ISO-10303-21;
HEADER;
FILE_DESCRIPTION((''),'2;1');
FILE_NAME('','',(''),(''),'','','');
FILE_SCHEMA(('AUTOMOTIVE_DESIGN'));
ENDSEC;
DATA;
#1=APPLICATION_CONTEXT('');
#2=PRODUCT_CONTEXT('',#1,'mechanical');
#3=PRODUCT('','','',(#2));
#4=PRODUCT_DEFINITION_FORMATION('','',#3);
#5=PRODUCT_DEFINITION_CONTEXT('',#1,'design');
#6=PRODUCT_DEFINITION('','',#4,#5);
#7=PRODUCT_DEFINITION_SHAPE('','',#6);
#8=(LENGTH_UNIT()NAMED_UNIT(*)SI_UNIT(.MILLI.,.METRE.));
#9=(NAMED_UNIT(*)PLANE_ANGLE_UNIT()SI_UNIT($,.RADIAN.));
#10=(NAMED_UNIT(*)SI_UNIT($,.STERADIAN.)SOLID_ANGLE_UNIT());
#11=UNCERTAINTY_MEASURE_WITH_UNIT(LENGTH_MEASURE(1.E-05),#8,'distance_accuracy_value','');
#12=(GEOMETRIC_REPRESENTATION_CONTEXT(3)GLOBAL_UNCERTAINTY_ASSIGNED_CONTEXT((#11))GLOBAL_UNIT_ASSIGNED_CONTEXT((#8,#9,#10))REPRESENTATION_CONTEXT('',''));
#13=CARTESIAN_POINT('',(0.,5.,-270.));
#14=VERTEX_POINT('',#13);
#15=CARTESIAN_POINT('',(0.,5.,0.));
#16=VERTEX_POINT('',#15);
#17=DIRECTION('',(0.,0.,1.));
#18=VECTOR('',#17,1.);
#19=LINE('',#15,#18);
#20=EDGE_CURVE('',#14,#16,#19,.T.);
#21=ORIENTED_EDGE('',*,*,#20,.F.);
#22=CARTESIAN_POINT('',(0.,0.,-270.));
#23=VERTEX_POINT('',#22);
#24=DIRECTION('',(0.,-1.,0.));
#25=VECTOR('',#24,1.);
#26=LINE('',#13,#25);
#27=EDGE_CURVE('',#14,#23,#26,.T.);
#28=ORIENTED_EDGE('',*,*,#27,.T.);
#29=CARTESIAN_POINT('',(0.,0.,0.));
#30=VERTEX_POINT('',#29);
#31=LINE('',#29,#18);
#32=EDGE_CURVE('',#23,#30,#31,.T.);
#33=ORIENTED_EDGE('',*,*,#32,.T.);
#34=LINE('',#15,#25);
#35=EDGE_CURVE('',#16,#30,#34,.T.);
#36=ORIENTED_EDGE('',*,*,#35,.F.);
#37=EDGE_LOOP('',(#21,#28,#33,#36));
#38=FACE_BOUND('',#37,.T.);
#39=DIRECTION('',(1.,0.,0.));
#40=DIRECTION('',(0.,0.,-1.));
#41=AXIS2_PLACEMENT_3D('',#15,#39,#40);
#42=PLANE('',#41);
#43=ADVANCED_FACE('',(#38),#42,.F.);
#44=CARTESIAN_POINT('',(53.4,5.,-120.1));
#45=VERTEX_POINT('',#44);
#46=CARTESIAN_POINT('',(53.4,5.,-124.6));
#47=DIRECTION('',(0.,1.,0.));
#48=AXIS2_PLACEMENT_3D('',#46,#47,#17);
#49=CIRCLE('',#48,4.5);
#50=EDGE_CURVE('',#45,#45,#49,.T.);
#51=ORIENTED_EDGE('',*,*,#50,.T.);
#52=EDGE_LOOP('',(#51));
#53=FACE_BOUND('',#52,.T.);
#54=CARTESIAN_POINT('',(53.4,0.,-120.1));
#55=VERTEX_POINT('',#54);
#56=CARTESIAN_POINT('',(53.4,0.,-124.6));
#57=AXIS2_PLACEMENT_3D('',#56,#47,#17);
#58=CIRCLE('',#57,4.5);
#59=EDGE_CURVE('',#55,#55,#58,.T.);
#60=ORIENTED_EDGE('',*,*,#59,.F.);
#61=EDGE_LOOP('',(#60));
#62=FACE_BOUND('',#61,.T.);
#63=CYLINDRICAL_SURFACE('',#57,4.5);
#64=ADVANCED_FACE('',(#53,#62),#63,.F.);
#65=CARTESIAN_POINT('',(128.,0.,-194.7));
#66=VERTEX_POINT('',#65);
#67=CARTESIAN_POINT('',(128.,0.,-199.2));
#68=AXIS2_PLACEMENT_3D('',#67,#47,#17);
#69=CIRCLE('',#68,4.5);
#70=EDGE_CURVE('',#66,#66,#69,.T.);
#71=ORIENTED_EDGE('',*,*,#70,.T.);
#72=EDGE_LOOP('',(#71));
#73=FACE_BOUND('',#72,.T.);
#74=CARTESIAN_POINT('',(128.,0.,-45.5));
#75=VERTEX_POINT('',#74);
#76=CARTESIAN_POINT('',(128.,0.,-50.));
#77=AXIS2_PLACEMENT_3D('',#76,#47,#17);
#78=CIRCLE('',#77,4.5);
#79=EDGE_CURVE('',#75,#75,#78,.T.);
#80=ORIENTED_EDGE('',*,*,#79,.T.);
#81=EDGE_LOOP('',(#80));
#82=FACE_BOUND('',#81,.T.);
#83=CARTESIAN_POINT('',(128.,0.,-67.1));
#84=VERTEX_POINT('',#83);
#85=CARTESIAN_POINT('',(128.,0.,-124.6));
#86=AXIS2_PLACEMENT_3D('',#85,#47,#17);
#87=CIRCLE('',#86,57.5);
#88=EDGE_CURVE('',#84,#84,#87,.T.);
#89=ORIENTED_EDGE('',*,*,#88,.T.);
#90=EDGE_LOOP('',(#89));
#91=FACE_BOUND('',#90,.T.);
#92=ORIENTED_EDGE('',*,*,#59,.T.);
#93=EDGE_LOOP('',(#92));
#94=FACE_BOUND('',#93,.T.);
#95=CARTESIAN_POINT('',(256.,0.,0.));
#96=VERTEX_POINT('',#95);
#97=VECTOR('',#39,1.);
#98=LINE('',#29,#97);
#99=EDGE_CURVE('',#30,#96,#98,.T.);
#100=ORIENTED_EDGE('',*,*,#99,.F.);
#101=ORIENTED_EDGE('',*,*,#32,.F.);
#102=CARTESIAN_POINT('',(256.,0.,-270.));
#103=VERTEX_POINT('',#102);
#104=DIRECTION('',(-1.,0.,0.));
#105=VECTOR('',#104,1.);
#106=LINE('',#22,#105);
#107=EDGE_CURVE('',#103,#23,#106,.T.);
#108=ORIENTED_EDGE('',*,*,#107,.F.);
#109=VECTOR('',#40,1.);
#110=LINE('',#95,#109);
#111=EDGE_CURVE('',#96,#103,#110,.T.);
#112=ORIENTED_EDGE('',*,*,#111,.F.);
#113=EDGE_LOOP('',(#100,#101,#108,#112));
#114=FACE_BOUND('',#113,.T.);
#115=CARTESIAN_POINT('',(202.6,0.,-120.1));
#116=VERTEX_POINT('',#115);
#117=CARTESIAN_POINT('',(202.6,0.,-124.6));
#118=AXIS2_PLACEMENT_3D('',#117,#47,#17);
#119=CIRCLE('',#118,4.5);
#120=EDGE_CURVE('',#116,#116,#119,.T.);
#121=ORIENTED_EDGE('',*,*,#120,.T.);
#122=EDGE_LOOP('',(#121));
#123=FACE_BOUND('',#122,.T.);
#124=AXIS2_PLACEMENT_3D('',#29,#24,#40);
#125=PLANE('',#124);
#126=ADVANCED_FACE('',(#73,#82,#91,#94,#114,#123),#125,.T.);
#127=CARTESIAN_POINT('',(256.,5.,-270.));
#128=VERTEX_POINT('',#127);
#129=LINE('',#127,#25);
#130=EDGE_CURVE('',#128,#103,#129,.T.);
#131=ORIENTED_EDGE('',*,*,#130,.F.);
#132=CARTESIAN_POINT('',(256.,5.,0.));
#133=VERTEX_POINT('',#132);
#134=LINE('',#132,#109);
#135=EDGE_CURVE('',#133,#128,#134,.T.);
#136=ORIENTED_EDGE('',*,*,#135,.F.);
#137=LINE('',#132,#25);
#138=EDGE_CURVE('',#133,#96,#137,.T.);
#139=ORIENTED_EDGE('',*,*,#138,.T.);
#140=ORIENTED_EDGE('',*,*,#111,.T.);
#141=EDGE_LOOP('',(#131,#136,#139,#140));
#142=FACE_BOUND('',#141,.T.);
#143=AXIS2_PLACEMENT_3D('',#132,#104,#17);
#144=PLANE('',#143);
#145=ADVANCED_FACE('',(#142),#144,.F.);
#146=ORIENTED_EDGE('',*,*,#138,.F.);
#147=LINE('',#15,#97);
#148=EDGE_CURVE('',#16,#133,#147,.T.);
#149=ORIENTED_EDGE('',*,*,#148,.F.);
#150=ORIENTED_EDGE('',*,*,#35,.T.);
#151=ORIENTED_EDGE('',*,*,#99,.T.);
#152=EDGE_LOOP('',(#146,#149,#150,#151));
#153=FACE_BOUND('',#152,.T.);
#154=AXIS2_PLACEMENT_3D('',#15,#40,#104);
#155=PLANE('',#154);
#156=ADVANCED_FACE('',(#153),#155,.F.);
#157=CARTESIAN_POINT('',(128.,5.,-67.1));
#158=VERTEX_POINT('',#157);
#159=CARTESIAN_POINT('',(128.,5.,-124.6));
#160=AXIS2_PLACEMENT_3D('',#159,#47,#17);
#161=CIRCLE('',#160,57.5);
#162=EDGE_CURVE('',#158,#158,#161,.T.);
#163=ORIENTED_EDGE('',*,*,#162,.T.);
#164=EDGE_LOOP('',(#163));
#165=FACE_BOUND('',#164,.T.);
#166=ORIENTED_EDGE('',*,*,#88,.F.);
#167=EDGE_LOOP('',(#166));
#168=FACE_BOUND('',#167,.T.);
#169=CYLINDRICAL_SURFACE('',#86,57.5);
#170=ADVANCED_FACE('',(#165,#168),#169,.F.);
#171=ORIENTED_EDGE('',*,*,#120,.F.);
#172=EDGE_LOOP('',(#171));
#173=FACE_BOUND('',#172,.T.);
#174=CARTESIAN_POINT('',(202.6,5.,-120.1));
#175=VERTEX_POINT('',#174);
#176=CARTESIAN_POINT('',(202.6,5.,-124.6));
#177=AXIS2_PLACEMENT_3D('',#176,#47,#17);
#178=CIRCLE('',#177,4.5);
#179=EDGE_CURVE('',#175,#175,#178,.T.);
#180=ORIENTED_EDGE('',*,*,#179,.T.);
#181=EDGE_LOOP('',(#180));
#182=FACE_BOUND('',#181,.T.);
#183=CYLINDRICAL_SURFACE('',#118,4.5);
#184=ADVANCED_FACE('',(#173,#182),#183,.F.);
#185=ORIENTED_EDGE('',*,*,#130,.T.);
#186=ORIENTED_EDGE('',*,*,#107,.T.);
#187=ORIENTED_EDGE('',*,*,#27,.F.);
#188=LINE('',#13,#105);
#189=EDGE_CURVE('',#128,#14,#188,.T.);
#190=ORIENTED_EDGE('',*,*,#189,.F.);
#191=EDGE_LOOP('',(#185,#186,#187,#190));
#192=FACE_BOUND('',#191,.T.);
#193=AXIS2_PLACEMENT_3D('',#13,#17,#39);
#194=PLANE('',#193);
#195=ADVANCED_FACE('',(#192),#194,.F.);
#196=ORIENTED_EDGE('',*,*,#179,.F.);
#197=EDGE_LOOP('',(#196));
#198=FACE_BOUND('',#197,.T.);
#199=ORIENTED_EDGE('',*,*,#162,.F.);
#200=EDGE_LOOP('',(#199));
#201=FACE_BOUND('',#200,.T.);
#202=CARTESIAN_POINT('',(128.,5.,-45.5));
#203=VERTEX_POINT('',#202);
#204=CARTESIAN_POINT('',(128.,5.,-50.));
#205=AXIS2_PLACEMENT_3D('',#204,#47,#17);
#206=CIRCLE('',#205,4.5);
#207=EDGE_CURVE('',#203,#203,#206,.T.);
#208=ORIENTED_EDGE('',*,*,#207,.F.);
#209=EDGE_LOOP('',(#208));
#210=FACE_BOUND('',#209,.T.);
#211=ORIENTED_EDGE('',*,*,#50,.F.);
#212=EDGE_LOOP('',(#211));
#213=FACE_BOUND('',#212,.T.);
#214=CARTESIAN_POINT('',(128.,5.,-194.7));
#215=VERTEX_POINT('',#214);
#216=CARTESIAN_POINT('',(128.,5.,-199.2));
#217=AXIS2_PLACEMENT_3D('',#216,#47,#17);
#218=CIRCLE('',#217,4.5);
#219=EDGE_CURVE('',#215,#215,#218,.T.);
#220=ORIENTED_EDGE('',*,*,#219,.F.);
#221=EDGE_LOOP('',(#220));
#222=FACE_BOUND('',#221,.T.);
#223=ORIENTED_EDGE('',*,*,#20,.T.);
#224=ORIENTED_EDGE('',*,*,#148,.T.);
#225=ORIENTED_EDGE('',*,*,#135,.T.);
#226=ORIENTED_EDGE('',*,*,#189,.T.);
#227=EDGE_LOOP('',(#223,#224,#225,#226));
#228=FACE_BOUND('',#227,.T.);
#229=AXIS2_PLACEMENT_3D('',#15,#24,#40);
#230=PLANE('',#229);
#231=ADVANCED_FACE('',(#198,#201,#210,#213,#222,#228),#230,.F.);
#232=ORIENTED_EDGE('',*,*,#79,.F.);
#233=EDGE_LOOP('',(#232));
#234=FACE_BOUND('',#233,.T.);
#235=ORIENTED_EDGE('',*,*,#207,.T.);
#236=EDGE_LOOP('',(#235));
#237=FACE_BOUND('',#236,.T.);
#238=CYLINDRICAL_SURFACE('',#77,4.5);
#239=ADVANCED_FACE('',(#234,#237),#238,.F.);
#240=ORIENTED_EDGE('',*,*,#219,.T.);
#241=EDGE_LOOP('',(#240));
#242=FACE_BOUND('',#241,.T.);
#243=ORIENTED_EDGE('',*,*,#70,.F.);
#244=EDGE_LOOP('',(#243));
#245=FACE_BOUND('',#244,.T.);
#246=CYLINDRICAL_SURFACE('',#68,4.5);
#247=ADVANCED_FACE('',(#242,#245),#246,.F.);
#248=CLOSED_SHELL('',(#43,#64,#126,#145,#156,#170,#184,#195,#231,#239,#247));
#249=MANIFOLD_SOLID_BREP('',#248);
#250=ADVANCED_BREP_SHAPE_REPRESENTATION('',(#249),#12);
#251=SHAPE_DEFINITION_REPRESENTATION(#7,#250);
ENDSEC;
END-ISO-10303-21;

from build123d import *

# Parameters (mm, degrees)
SZKIC1_W                    = 256
SZKIC1_H                    = 270
DODANIE_WYCI_GNI_CIE1_DEPTH = 5
SZKIC2_R                    = 57.5
SZKIC2_R_2                  = 4.5
WYTNIJ_WYCI_GNI_CIE1_DEPTH  = 5


with BuildPart() as part:
    # Szkic1 → Dodanie-wyciągnięcie1 (new body)
    with BuildSketch(Plane(origin=(0, 0, 0), x_dir=(1, 0, 0), z_dir=(0, 1, 0))):
        with Locations((128, 135)):
            Rectangle(SZKIC1_W, SZKIC1_H)
    extrude(amount=DODANIE_WYCI_GNI_CIE1_DEPTH)

    # Szkic2 → Wytnij-wyciągnięcie1 (cut)
    with BuildSketch(Plane(origin=(0, 5, 0), x_dir=(1, 0, 0), z_dir=(0, 1, 0))):
        with Locations(Location((128, 124.6, 0), (0, 0, 270))):
            Circle(SZKIC2_R)
        with Locations(Location((128, 199.2, 0), (0, 0, 270))):
            Circle(SZKIC2_R_2)
        with Locations(Location((202.6, 124.6, 0), (0, 0, 270))):
            Circle(SZKIC2_R_2)
        with Locations(Location((128, 50, 0), (0, 0, 270))):
            Circle(SZKIC2_R_2)
        with Locations(Location((53.4, 124.6, 0), (0, 0, 270))):
            Circle(SZKIC2_R_2)
    extrude(amount=-WYTNIJ_WYCI_GNI_CIE1_DEPTH, mode=Mode.SUBTRACT)


solid = part.part
